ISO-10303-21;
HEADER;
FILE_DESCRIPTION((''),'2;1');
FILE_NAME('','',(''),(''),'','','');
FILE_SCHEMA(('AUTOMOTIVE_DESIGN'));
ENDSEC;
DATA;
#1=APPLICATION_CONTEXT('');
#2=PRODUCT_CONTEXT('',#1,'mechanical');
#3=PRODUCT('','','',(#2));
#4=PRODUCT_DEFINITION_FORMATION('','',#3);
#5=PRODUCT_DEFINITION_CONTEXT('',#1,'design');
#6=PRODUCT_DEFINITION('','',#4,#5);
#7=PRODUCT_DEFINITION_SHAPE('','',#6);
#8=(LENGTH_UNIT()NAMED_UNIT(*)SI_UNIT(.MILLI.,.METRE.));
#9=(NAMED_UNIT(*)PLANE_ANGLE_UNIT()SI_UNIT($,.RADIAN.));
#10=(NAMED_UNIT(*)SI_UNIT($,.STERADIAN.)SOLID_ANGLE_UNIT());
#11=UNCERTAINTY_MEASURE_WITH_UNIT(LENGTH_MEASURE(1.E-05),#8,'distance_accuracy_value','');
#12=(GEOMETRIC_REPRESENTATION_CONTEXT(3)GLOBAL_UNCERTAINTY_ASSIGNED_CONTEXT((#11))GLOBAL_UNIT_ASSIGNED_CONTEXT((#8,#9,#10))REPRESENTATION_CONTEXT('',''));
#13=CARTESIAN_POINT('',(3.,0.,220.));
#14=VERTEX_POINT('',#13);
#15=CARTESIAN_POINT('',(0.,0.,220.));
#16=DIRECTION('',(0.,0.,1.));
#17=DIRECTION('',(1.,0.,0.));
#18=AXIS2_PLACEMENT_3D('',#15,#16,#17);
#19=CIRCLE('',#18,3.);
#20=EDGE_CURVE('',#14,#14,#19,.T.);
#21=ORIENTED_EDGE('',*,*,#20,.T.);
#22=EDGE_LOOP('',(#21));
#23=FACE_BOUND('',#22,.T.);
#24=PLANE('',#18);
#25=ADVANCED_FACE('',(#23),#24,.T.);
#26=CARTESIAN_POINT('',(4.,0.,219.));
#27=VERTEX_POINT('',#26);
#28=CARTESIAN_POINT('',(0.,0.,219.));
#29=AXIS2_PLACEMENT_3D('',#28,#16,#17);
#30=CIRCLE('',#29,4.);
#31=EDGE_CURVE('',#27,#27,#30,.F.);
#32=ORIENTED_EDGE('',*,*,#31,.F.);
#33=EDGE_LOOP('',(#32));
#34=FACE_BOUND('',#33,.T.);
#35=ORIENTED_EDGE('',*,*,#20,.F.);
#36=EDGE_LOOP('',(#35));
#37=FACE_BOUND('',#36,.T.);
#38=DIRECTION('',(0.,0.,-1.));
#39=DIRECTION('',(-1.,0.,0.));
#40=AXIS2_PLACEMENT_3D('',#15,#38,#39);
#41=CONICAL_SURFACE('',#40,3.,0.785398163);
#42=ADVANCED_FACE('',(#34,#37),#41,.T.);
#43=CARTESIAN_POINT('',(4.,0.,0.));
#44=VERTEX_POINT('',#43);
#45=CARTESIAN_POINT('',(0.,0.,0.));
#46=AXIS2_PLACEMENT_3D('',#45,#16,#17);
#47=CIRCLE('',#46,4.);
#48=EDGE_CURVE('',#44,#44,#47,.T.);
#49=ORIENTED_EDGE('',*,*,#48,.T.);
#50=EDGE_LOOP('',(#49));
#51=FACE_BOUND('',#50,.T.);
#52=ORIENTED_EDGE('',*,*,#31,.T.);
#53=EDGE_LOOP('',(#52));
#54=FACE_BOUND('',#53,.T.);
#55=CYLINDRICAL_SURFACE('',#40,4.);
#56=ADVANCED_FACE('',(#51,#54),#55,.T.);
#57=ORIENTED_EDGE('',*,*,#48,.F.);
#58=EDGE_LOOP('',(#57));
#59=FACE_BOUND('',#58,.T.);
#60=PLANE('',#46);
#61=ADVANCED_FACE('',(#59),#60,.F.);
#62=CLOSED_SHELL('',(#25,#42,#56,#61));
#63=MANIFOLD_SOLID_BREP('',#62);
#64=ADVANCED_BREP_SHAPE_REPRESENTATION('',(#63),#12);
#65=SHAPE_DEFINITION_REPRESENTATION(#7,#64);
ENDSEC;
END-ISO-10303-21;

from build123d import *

# Parameters (mm, degrees)
SKETCH_1_R      = 4
EXTRUDE_1_DEPTH = 220
CHAMFER_1_SIZE  = 1


with BuildPart() as part:
    # 草图1 → 凸台-拉伸1 (new body)
    with BuildSketch(Plane.XY):
        Circle(SKETCH_1_R)
    extrude(amount=EXTRUDE_1_DEPTH)

    # 倒角1
    chamfer_1_edges = [part.edges().sort_by_distance(p)[0] for p in [
        (-4, 0, 220),
    ]]
    chamfer(chamfer_1_edges, length=CHAMFER_1_SIZE)


solid = part.part
